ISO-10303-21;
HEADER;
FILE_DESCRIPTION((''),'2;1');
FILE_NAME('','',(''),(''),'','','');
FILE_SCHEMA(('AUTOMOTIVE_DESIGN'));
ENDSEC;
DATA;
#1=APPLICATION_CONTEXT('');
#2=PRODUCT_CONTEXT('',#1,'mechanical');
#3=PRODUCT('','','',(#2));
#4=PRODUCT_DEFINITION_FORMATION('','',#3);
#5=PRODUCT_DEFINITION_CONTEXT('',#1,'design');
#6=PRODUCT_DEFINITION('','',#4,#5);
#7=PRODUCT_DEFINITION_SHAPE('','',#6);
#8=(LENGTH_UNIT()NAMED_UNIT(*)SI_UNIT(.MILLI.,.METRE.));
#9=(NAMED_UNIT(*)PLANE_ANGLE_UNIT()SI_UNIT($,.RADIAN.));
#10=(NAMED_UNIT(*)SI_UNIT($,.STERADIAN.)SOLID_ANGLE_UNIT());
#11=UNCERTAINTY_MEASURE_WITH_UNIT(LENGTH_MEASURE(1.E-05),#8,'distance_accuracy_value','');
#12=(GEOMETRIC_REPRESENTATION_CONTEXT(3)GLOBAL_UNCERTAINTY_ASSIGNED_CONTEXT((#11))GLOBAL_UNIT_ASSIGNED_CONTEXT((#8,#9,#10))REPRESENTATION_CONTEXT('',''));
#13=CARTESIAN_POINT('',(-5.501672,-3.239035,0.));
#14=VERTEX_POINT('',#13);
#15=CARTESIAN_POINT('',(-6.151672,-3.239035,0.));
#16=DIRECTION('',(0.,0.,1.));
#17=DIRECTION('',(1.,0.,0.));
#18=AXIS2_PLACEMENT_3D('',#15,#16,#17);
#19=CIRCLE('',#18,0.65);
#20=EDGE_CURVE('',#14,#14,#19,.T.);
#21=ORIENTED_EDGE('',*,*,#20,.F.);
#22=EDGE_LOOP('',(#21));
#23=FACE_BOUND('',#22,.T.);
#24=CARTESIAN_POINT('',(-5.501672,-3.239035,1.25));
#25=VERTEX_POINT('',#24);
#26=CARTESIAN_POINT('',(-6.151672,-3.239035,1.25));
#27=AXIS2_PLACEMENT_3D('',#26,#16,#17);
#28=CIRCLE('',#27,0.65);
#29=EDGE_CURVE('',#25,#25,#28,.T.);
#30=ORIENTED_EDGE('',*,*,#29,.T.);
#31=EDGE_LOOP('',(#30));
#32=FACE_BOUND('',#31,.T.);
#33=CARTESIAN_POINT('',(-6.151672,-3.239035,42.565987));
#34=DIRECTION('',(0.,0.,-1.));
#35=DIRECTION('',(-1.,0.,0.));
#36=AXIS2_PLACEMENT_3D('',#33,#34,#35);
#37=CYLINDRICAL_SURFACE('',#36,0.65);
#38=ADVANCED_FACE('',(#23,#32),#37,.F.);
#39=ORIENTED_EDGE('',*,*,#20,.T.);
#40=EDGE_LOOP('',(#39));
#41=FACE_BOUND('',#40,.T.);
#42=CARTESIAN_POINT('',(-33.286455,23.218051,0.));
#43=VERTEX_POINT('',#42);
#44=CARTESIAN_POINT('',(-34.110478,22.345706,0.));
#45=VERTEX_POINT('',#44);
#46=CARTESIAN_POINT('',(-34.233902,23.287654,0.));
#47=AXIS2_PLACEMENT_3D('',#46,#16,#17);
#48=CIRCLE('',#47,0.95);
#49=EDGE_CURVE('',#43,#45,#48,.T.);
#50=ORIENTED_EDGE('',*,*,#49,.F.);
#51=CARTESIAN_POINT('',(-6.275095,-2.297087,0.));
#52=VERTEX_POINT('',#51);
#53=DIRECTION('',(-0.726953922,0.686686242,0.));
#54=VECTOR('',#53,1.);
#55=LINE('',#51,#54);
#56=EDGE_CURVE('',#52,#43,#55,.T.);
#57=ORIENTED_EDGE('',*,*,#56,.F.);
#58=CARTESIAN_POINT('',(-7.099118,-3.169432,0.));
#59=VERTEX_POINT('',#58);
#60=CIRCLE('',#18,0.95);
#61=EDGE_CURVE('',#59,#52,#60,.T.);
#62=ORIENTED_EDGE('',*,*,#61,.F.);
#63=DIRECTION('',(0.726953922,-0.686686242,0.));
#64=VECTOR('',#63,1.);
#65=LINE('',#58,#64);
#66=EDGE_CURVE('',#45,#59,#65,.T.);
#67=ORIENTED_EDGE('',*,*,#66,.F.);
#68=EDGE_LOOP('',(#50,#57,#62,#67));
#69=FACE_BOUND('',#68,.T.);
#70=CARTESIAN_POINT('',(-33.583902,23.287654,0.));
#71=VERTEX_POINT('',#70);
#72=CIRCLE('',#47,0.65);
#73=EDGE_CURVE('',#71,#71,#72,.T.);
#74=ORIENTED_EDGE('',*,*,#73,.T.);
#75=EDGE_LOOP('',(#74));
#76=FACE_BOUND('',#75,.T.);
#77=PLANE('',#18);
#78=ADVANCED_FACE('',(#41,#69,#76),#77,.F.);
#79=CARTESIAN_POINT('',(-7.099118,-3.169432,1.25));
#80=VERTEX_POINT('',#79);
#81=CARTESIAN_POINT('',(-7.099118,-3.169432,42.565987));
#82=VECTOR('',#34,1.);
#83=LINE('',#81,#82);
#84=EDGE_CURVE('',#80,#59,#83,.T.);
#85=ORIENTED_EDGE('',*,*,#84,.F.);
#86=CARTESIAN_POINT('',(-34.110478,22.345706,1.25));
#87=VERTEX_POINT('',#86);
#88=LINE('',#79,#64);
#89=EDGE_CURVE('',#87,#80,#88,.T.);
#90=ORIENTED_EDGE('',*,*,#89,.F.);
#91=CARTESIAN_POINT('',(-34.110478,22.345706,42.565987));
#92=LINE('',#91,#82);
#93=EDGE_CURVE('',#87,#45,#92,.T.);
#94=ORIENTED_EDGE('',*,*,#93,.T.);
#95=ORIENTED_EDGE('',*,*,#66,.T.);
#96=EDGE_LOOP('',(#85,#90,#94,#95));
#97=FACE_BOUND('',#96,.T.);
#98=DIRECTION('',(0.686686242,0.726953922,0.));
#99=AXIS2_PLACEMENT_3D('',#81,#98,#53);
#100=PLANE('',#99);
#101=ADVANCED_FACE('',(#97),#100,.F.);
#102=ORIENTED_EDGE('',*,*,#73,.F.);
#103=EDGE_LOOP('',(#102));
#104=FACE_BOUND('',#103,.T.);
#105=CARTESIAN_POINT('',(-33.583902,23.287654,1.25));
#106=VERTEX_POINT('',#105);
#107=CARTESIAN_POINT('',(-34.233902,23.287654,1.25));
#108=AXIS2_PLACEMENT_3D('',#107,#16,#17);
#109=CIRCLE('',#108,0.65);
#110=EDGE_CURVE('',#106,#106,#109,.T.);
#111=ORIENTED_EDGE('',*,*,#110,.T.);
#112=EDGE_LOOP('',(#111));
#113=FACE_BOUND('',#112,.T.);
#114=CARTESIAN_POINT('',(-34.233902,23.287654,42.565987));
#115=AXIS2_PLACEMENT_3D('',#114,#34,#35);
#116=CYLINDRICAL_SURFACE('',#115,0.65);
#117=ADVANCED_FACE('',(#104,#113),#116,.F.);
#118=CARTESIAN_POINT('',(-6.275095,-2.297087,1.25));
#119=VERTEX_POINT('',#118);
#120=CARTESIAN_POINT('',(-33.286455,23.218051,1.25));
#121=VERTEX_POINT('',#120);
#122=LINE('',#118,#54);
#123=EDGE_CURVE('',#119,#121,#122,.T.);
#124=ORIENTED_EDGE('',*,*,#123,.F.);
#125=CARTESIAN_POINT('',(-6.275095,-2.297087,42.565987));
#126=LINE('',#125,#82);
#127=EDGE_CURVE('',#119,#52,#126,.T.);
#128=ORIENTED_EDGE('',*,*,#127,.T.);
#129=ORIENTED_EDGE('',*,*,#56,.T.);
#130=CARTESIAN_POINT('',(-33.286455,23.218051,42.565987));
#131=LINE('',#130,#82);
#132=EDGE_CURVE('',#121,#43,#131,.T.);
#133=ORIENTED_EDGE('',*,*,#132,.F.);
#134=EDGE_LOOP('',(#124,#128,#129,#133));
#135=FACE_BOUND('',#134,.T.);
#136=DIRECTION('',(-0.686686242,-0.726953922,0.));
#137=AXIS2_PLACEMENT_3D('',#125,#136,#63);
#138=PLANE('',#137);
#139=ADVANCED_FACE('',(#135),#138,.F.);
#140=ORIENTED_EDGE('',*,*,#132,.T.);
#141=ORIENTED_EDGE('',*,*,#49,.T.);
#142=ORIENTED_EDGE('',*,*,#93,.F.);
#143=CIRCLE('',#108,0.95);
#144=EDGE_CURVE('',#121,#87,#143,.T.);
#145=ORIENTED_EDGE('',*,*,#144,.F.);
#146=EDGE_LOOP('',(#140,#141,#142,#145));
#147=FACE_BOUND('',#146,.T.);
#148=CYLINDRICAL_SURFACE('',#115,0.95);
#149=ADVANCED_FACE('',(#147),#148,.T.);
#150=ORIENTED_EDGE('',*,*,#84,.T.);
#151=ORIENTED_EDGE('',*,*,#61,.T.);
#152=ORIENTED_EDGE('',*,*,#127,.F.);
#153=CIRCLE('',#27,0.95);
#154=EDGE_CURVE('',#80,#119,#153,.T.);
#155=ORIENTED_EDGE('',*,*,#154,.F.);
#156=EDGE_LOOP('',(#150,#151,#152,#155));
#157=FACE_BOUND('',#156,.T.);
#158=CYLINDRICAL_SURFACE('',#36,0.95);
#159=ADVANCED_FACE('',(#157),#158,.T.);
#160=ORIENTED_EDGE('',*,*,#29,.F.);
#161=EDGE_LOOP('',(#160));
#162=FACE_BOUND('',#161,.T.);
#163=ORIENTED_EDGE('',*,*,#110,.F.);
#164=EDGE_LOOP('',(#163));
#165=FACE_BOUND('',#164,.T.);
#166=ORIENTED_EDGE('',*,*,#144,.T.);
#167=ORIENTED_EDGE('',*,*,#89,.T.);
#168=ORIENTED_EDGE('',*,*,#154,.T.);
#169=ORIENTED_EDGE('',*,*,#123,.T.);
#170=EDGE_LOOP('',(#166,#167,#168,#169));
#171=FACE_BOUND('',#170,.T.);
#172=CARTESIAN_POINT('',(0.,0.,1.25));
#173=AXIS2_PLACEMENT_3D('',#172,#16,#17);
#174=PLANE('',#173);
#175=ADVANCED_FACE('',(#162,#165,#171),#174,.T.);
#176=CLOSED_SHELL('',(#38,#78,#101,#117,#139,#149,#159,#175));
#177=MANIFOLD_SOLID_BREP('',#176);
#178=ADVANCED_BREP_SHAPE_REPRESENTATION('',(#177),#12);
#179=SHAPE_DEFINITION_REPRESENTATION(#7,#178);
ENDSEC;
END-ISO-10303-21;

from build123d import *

# Parameters (mm, degrees)
SKETCH1_R           = 0.65
BOSS_EXTRUDE1_DEPTH = 1.25


with BuildPart() as part:
    # Sketch1 → Boss-Extrude1 (new body)
    with BuildSketch(Plane.XY):
        with BuildLine():
            Line((-7.099118434, -3.169431628), (-34.110478454, 22.345705899))
            ThreePointArc((-34.110478454, 22.345705899), (-34.924507934, 23.940006182), (-33.286454964, 23.218050606))
            Line((-33.286454964, 23.218050606), (-6.275094943, -2.297086921))
            ThreePointArc((-6.275094943, -2.297086921), (-5.461065464, -3.891387204), (-7.099118434, -3.169431628))
        make_face()
        with Locations((-6.15167169, -3.239035274)):
            Circle(SKETCH1_R, mode=Mode.SUBTRACT)
        with Locations((-34.233901708, 23.287654252)):
            Circle(SKETCH1_R, mode=Mode.SUBTRACT)
    extrude(amount=BOSS_EXTRUDE1_DEPTH)


solid = part.part
